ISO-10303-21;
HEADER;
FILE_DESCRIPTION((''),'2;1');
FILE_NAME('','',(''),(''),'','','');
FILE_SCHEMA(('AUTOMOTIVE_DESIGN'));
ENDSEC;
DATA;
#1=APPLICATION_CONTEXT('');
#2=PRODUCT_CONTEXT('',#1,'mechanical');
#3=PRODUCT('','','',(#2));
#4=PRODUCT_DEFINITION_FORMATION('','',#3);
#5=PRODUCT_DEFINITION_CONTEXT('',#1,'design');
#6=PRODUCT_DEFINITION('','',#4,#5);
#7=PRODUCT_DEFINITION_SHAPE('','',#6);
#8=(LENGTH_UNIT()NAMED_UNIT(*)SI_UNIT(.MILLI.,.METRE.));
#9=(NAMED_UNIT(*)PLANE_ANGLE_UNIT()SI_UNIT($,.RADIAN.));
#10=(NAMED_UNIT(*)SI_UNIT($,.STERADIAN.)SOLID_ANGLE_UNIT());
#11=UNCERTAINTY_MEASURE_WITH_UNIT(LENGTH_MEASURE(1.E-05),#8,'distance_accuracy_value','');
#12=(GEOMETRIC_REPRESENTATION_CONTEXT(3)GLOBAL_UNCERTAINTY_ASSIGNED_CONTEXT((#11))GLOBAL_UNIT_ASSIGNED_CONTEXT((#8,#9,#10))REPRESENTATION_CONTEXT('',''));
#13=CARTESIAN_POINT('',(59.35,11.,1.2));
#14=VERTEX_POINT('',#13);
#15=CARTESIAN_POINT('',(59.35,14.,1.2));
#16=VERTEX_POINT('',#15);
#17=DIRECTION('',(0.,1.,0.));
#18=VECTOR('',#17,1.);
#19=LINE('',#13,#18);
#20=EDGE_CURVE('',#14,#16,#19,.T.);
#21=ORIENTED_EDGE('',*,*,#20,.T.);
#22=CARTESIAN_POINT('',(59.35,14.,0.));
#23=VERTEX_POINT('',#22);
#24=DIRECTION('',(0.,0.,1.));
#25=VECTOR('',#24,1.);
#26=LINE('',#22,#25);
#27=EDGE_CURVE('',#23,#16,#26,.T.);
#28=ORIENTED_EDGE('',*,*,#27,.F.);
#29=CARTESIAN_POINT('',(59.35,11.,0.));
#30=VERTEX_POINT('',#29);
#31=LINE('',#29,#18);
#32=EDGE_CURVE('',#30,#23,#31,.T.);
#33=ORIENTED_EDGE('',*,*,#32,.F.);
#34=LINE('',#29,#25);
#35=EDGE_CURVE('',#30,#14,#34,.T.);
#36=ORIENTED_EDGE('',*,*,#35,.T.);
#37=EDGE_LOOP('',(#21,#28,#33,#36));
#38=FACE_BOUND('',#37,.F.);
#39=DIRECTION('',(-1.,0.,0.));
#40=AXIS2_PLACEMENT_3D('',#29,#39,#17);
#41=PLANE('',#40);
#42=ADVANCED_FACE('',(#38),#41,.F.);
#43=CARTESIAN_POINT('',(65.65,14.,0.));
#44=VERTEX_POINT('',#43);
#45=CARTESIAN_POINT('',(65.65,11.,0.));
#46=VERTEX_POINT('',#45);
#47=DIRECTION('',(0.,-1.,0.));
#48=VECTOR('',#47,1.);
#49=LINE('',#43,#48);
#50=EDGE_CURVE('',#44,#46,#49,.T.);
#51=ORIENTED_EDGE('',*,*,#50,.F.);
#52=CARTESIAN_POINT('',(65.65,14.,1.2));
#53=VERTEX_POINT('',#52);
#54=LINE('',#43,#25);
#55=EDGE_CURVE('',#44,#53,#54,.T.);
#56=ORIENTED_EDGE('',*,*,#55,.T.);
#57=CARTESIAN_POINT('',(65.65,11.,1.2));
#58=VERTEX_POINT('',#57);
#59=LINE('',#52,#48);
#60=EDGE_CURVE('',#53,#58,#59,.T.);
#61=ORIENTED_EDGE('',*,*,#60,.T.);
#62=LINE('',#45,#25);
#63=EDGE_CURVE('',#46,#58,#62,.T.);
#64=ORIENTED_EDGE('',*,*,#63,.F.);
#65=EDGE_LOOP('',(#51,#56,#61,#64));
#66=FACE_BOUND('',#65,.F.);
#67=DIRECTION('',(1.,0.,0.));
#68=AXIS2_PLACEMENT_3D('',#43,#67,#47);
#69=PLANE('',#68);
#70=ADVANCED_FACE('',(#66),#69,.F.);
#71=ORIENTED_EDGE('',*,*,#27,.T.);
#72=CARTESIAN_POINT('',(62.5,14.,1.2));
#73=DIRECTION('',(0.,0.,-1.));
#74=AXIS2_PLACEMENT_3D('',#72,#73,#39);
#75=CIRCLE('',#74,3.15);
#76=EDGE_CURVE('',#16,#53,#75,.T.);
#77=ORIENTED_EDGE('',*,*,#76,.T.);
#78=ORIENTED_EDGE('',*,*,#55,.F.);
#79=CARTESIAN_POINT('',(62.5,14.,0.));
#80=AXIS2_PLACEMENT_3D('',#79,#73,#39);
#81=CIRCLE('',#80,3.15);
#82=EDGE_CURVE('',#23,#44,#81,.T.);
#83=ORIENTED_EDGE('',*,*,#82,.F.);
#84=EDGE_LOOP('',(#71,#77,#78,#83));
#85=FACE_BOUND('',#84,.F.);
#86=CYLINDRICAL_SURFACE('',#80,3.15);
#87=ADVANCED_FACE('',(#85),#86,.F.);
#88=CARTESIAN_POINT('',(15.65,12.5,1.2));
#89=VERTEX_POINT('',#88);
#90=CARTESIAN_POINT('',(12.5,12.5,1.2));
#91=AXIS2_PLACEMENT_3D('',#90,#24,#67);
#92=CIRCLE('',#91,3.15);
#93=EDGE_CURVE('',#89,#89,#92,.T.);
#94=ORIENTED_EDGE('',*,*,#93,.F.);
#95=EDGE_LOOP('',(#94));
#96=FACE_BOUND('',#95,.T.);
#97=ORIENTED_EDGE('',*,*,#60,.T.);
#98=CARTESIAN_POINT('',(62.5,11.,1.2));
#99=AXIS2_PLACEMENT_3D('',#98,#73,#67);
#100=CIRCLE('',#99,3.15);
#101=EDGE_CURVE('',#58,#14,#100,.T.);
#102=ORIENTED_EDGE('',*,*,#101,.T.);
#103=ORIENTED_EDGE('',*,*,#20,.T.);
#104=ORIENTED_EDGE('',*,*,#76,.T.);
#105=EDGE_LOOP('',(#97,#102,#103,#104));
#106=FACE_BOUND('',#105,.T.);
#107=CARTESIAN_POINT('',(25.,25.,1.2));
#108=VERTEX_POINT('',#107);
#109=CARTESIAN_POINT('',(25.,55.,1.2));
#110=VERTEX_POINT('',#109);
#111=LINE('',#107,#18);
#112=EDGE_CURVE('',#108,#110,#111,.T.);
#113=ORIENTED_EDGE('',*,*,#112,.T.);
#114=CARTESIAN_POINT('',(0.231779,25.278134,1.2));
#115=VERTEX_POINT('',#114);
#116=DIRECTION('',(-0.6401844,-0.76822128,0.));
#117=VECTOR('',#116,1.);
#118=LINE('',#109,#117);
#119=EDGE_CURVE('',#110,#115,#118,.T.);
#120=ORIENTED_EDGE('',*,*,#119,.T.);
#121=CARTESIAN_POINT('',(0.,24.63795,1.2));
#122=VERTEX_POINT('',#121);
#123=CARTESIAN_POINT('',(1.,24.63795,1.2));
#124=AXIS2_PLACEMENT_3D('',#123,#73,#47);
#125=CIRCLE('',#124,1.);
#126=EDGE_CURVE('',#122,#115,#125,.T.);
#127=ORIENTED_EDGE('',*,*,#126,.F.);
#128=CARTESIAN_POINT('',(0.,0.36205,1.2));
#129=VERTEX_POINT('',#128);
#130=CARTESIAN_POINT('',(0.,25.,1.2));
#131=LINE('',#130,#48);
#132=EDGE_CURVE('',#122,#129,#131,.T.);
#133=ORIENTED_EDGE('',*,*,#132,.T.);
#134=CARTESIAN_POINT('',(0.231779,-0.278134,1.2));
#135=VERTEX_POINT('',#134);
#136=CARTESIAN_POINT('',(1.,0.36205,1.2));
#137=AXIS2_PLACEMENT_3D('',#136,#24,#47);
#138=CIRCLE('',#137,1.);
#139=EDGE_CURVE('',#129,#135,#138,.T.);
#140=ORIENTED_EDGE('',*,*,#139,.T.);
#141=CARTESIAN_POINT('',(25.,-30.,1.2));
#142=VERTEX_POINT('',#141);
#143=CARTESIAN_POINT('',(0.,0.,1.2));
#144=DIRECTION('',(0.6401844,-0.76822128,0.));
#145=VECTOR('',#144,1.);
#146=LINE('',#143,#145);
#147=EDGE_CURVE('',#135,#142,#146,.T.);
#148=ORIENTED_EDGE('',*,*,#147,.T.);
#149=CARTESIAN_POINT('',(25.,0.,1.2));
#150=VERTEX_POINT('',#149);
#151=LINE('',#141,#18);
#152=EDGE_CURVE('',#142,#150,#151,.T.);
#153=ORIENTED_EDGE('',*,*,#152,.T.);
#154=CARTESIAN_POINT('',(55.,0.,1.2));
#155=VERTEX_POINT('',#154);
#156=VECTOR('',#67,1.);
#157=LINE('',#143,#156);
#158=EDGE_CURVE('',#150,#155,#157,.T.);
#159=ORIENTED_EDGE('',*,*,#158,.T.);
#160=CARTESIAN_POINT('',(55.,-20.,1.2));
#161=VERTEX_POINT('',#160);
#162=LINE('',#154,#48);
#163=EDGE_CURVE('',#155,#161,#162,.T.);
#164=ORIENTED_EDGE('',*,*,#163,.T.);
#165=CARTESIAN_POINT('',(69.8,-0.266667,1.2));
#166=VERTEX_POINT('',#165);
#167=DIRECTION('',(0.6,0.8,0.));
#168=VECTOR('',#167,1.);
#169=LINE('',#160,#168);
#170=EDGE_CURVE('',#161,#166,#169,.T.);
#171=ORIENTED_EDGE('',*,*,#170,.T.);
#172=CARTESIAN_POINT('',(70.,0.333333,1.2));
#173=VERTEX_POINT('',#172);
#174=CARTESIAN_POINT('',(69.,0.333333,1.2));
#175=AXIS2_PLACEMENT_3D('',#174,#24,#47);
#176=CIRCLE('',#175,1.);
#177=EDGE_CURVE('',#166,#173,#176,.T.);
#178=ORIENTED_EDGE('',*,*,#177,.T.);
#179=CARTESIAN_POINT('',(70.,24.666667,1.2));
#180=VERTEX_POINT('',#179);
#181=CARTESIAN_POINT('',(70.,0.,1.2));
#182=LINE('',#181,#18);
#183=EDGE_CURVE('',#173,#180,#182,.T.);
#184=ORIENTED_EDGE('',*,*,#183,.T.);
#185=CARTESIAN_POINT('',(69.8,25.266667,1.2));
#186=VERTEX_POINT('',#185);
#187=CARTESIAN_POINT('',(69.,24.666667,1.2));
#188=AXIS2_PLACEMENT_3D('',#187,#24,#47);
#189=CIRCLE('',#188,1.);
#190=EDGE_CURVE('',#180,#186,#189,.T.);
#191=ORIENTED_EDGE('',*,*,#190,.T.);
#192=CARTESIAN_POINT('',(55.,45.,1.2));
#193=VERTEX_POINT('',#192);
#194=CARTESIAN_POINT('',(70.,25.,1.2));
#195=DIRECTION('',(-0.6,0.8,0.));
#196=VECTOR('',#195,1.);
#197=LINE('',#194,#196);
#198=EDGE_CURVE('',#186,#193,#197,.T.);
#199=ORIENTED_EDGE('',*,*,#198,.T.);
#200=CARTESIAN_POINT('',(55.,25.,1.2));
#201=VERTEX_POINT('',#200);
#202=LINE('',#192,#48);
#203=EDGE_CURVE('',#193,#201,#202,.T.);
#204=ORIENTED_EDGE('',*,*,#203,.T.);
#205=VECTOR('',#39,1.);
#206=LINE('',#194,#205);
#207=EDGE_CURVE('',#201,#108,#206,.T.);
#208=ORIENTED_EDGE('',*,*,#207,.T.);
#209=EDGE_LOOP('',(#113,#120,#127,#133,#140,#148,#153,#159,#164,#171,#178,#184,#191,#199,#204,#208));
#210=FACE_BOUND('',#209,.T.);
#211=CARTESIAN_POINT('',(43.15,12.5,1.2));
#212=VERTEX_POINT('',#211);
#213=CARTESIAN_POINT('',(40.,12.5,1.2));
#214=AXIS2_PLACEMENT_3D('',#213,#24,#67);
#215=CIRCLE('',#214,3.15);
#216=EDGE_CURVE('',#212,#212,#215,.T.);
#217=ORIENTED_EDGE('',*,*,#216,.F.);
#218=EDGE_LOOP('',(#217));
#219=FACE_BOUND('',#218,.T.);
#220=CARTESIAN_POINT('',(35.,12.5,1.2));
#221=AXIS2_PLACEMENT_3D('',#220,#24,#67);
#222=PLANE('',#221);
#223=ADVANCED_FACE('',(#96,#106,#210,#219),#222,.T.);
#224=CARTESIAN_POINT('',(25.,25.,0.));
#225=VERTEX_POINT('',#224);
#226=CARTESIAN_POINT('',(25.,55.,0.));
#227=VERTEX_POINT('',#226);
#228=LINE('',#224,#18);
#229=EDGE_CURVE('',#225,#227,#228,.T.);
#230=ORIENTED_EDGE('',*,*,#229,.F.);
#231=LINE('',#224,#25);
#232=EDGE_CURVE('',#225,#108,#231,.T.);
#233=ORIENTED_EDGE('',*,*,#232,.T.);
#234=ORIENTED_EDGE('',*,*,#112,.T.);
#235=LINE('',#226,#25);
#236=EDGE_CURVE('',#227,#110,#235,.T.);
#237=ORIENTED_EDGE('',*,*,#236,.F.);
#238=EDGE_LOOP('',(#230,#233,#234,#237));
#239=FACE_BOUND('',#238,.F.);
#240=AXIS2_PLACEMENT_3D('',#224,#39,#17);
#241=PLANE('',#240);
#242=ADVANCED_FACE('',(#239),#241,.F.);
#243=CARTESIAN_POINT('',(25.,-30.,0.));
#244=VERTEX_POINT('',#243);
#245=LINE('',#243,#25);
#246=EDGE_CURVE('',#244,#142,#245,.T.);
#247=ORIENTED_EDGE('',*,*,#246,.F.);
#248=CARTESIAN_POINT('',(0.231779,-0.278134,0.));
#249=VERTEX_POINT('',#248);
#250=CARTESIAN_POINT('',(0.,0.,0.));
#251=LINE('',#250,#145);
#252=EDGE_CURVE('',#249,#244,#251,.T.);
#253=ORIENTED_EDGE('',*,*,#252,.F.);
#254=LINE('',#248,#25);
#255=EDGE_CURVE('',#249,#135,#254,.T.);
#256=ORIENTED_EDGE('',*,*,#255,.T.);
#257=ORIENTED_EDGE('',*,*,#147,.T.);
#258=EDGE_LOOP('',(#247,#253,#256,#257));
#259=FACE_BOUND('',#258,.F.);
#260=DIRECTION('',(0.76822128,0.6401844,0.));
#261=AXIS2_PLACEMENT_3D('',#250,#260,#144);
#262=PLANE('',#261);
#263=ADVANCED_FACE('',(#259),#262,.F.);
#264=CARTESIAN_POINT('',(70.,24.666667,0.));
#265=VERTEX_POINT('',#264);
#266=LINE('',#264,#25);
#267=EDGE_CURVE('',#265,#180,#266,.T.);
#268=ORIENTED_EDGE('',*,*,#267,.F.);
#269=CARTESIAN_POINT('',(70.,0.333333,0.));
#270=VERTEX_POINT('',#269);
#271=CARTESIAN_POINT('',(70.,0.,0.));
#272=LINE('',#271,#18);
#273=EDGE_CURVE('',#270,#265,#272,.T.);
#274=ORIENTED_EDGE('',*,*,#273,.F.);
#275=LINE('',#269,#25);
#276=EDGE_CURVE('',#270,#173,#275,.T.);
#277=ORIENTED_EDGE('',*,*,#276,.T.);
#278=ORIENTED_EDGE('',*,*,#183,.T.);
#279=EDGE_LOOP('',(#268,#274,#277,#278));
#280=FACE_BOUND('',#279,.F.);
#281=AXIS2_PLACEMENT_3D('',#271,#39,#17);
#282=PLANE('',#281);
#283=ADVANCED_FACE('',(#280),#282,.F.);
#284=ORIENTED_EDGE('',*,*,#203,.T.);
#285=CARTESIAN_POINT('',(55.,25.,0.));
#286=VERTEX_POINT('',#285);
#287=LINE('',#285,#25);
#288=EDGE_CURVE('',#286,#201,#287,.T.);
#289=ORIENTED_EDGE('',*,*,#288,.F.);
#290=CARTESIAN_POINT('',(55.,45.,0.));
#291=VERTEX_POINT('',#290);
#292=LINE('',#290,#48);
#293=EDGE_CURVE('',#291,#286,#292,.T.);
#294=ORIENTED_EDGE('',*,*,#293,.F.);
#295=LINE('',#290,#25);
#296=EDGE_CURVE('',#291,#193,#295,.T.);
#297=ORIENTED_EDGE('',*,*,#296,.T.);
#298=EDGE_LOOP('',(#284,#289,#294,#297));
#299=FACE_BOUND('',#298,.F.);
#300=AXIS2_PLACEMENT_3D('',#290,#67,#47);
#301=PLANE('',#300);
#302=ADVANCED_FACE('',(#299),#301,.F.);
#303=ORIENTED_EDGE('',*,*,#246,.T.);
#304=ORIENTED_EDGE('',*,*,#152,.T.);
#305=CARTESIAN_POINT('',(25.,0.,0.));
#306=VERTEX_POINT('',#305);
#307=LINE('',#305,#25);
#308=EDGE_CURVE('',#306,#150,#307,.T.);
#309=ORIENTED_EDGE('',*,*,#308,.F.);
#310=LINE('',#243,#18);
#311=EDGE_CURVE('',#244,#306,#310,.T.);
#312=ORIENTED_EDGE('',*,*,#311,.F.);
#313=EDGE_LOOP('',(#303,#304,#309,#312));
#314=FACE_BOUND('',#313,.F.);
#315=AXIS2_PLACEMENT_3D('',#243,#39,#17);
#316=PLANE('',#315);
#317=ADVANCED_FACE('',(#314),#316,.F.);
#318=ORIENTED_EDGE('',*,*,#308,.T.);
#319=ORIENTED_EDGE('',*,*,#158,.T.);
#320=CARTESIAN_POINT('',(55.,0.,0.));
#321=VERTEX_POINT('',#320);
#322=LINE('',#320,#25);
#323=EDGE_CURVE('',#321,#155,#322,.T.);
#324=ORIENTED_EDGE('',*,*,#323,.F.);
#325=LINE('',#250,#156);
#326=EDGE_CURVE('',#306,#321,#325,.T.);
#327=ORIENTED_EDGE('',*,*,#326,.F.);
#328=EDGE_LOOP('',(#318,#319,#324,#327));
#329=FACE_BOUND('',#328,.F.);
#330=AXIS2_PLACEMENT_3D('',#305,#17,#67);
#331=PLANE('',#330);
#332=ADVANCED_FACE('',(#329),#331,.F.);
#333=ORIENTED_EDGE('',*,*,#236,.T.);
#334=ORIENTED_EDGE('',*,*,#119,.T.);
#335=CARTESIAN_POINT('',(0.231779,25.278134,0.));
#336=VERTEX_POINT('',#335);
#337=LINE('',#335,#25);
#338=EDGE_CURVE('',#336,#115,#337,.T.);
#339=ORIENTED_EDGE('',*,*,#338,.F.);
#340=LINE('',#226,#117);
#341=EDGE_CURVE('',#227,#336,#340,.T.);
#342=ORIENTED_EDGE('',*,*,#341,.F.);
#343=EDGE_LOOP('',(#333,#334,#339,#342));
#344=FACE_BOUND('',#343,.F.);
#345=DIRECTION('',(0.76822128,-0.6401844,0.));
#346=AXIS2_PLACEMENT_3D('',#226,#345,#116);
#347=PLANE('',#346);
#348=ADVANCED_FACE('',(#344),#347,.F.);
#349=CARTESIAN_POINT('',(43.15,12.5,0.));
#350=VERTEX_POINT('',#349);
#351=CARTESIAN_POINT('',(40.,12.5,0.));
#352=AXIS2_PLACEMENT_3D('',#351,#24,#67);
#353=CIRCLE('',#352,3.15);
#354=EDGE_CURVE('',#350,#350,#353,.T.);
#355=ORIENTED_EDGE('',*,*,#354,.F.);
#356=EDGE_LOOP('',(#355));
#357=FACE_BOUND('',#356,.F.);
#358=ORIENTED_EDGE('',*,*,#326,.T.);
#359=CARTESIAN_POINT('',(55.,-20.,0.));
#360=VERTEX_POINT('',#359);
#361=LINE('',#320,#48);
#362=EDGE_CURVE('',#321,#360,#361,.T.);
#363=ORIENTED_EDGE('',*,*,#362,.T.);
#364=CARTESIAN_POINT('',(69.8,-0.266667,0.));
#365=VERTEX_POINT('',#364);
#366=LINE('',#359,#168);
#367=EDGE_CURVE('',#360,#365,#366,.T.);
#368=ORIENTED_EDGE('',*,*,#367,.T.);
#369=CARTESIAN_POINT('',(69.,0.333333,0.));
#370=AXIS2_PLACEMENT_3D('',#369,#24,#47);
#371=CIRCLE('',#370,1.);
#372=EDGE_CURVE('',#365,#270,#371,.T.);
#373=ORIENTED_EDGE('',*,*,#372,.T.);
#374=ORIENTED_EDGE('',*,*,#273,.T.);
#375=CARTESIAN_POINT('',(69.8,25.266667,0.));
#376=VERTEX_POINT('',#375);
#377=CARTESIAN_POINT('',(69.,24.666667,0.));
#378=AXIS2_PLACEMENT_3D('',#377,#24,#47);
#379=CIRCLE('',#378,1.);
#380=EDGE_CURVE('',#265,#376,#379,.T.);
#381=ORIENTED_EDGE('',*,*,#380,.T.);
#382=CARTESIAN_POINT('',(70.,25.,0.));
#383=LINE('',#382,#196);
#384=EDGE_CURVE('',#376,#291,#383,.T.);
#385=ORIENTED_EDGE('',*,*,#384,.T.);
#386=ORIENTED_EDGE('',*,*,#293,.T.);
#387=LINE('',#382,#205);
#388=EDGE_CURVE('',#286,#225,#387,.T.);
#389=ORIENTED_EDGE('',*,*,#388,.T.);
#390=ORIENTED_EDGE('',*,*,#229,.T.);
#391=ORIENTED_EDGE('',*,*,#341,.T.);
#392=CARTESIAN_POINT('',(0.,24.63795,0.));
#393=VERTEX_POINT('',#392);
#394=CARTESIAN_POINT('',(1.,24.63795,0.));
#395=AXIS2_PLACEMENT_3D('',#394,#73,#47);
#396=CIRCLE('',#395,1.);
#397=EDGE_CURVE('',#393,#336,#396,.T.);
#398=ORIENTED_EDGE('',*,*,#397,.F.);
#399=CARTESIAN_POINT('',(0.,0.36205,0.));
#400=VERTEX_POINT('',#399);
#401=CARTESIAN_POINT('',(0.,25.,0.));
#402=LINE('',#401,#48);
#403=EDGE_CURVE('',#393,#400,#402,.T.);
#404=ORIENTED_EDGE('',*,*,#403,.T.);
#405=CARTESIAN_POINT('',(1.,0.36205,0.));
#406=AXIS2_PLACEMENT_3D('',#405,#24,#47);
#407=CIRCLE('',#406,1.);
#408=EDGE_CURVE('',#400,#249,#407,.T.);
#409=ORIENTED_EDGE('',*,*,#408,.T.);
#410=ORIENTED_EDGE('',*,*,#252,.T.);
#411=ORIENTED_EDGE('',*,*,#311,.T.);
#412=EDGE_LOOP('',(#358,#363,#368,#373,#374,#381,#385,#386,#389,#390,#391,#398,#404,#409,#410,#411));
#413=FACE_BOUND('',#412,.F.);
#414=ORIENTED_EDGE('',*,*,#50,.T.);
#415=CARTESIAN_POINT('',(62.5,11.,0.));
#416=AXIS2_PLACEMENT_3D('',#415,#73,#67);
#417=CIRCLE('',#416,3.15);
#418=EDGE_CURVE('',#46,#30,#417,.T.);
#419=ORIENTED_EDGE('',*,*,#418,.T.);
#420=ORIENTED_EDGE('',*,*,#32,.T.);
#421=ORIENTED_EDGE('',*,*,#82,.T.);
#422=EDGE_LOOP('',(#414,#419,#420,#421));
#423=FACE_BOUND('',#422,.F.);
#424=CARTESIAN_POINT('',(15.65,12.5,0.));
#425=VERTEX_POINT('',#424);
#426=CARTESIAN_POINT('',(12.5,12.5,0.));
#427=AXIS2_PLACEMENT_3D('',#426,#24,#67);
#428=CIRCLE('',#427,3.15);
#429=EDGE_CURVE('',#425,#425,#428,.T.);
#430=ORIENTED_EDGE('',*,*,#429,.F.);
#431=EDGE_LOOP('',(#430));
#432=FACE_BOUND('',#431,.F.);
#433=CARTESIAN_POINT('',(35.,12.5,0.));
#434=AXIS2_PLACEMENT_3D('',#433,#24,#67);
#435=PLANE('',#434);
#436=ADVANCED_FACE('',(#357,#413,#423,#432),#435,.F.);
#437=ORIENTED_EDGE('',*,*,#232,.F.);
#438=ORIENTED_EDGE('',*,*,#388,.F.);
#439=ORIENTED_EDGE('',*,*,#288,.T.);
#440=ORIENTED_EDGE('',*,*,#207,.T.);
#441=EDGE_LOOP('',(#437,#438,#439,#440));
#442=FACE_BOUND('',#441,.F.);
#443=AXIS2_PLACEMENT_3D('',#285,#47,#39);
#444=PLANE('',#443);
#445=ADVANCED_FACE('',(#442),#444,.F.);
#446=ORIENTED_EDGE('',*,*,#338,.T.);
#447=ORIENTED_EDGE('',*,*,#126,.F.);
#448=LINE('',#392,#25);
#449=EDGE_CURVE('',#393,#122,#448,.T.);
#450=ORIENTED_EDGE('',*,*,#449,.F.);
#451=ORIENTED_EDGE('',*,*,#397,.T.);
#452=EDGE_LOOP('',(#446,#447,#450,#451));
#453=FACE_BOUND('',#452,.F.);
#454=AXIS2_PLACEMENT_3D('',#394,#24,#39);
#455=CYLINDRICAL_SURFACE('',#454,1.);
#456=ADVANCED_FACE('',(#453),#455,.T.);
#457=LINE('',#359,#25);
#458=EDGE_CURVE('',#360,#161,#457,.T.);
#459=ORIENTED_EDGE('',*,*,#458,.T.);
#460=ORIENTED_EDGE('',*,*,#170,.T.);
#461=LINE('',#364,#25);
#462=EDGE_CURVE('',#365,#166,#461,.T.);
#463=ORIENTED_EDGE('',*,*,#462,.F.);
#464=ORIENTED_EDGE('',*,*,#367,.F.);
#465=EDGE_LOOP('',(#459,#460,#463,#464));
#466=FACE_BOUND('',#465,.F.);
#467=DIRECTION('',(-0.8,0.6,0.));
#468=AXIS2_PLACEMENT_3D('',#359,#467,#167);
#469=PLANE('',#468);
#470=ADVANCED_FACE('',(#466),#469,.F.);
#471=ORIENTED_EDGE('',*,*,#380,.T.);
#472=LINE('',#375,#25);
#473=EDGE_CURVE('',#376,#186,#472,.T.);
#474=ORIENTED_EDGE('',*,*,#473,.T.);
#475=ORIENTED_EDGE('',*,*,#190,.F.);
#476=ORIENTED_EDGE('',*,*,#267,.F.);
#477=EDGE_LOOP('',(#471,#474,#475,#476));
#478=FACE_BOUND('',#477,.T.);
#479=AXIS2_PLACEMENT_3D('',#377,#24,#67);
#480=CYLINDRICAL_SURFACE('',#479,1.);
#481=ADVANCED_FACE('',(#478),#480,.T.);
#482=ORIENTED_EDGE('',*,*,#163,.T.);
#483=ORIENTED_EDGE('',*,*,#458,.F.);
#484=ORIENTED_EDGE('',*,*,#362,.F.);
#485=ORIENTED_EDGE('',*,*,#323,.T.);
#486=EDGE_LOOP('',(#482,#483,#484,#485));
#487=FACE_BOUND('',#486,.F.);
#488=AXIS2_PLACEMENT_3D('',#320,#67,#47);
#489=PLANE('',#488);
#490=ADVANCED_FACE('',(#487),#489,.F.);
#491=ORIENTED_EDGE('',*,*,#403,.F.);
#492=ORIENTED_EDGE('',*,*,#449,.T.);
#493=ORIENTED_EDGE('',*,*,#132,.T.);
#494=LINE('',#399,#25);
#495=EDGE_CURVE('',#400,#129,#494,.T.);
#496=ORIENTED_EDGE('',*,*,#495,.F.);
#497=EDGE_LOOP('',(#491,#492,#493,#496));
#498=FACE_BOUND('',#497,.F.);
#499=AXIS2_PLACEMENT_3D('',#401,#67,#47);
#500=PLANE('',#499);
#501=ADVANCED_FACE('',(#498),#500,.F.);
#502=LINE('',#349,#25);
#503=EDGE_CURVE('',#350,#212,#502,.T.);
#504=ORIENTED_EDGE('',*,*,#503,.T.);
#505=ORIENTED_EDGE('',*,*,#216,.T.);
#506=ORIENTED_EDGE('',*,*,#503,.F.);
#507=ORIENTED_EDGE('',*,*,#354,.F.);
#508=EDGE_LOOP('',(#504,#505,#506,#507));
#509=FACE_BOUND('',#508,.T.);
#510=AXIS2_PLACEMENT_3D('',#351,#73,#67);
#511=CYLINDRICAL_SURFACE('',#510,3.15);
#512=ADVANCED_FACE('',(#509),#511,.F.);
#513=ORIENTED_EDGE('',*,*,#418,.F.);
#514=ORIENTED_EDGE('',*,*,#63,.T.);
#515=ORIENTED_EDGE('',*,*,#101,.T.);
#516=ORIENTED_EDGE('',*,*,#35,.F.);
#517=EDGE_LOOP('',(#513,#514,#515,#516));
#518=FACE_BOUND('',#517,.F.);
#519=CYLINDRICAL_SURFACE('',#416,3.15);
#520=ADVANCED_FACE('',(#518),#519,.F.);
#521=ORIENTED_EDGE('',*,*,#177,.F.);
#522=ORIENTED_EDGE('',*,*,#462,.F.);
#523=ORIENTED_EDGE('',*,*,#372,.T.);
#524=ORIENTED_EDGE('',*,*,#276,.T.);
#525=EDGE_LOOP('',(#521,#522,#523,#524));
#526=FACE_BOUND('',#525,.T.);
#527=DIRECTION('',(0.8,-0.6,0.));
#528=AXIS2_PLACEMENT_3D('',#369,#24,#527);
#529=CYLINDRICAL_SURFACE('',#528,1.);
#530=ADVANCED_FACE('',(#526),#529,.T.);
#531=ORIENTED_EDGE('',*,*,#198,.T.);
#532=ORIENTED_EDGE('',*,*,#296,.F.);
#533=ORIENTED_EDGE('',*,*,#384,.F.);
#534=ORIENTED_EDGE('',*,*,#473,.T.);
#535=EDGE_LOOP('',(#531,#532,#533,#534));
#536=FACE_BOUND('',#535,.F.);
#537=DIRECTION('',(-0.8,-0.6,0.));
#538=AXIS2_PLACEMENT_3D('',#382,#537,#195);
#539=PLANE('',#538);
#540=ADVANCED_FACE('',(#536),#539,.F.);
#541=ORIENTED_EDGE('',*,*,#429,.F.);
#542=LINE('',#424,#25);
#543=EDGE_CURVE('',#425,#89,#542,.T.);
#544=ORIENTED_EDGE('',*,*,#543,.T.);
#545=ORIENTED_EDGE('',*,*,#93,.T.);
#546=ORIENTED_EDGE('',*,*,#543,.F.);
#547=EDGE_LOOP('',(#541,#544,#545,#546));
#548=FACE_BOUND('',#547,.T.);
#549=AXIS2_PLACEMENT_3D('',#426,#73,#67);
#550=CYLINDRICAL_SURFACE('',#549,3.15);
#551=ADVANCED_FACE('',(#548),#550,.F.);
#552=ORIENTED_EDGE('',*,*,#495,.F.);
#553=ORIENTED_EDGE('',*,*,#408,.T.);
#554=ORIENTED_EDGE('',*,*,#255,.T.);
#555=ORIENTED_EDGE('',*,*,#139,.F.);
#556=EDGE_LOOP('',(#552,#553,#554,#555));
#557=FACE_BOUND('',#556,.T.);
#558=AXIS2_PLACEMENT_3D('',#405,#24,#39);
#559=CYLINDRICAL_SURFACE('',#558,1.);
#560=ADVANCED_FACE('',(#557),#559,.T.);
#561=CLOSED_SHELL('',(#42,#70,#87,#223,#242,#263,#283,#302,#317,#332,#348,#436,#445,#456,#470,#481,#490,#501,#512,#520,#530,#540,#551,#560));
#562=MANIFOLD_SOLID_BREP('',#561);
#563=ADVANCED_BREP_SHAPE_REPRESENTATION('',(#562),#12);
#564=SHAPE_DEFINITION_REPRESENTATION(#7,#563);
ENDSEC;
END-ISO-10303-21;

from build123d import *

# Parameters (mm, degrees)
F0_R     = 3.15
F1_DEPTH = 1.2
F2_R     = 1


with BuildPart() as f1:
    # F0 (on Top) → F1 (new body)
    with BuildSketch(Plane.XY):
        Polygon((0, 25), (0, 0), (25, 0), (55, 0), (70, 0), (70, 25), (55, 25), (25, 25), align=None)
        with Locations((12.5, 12.5)):
            Circle(F0_R, mode=Mode.SUBTRACT)
        with Locations((40, 12.5)):
            Circle(F0_R, mode=Mode.SUBTRACT)
        with BuildLine():
            ThreePointArc((65.65, 11), (62.5, 7.85), (59.35, 11))
            Line((59.35, 11), (59.35, 14))
            ThreePointArc((59.35, 14), (62.5, 17.15), (65.65, 14))
            Line((65.65, 14), (65.65, 11))
        make_face(mode=Mode.SUBTRACT)
        Polygon((25, 0), (0, 0), (25, -30), align=None)
        Polygon((25, 55), (0, 25), (25, 25), align=None)
        Polygon((70, 0), (55, 0), (55, -20), align=None)
        Polygon((55, 45), (55, 25), (70, 25), align=None)
    extrude(amount=F1_DEPTH)

    # F2
    f2_edges = [f1.edges().sort_by_distance(p)[0] for p in [
        (0, 25, 0.6),
        (0, 0, 0.6),
        (70, 0, 0.6),
        (70, 25, 0.6),
    ]]
    fillet(f2_edges, radius=F2_R)


solid = f1.part
